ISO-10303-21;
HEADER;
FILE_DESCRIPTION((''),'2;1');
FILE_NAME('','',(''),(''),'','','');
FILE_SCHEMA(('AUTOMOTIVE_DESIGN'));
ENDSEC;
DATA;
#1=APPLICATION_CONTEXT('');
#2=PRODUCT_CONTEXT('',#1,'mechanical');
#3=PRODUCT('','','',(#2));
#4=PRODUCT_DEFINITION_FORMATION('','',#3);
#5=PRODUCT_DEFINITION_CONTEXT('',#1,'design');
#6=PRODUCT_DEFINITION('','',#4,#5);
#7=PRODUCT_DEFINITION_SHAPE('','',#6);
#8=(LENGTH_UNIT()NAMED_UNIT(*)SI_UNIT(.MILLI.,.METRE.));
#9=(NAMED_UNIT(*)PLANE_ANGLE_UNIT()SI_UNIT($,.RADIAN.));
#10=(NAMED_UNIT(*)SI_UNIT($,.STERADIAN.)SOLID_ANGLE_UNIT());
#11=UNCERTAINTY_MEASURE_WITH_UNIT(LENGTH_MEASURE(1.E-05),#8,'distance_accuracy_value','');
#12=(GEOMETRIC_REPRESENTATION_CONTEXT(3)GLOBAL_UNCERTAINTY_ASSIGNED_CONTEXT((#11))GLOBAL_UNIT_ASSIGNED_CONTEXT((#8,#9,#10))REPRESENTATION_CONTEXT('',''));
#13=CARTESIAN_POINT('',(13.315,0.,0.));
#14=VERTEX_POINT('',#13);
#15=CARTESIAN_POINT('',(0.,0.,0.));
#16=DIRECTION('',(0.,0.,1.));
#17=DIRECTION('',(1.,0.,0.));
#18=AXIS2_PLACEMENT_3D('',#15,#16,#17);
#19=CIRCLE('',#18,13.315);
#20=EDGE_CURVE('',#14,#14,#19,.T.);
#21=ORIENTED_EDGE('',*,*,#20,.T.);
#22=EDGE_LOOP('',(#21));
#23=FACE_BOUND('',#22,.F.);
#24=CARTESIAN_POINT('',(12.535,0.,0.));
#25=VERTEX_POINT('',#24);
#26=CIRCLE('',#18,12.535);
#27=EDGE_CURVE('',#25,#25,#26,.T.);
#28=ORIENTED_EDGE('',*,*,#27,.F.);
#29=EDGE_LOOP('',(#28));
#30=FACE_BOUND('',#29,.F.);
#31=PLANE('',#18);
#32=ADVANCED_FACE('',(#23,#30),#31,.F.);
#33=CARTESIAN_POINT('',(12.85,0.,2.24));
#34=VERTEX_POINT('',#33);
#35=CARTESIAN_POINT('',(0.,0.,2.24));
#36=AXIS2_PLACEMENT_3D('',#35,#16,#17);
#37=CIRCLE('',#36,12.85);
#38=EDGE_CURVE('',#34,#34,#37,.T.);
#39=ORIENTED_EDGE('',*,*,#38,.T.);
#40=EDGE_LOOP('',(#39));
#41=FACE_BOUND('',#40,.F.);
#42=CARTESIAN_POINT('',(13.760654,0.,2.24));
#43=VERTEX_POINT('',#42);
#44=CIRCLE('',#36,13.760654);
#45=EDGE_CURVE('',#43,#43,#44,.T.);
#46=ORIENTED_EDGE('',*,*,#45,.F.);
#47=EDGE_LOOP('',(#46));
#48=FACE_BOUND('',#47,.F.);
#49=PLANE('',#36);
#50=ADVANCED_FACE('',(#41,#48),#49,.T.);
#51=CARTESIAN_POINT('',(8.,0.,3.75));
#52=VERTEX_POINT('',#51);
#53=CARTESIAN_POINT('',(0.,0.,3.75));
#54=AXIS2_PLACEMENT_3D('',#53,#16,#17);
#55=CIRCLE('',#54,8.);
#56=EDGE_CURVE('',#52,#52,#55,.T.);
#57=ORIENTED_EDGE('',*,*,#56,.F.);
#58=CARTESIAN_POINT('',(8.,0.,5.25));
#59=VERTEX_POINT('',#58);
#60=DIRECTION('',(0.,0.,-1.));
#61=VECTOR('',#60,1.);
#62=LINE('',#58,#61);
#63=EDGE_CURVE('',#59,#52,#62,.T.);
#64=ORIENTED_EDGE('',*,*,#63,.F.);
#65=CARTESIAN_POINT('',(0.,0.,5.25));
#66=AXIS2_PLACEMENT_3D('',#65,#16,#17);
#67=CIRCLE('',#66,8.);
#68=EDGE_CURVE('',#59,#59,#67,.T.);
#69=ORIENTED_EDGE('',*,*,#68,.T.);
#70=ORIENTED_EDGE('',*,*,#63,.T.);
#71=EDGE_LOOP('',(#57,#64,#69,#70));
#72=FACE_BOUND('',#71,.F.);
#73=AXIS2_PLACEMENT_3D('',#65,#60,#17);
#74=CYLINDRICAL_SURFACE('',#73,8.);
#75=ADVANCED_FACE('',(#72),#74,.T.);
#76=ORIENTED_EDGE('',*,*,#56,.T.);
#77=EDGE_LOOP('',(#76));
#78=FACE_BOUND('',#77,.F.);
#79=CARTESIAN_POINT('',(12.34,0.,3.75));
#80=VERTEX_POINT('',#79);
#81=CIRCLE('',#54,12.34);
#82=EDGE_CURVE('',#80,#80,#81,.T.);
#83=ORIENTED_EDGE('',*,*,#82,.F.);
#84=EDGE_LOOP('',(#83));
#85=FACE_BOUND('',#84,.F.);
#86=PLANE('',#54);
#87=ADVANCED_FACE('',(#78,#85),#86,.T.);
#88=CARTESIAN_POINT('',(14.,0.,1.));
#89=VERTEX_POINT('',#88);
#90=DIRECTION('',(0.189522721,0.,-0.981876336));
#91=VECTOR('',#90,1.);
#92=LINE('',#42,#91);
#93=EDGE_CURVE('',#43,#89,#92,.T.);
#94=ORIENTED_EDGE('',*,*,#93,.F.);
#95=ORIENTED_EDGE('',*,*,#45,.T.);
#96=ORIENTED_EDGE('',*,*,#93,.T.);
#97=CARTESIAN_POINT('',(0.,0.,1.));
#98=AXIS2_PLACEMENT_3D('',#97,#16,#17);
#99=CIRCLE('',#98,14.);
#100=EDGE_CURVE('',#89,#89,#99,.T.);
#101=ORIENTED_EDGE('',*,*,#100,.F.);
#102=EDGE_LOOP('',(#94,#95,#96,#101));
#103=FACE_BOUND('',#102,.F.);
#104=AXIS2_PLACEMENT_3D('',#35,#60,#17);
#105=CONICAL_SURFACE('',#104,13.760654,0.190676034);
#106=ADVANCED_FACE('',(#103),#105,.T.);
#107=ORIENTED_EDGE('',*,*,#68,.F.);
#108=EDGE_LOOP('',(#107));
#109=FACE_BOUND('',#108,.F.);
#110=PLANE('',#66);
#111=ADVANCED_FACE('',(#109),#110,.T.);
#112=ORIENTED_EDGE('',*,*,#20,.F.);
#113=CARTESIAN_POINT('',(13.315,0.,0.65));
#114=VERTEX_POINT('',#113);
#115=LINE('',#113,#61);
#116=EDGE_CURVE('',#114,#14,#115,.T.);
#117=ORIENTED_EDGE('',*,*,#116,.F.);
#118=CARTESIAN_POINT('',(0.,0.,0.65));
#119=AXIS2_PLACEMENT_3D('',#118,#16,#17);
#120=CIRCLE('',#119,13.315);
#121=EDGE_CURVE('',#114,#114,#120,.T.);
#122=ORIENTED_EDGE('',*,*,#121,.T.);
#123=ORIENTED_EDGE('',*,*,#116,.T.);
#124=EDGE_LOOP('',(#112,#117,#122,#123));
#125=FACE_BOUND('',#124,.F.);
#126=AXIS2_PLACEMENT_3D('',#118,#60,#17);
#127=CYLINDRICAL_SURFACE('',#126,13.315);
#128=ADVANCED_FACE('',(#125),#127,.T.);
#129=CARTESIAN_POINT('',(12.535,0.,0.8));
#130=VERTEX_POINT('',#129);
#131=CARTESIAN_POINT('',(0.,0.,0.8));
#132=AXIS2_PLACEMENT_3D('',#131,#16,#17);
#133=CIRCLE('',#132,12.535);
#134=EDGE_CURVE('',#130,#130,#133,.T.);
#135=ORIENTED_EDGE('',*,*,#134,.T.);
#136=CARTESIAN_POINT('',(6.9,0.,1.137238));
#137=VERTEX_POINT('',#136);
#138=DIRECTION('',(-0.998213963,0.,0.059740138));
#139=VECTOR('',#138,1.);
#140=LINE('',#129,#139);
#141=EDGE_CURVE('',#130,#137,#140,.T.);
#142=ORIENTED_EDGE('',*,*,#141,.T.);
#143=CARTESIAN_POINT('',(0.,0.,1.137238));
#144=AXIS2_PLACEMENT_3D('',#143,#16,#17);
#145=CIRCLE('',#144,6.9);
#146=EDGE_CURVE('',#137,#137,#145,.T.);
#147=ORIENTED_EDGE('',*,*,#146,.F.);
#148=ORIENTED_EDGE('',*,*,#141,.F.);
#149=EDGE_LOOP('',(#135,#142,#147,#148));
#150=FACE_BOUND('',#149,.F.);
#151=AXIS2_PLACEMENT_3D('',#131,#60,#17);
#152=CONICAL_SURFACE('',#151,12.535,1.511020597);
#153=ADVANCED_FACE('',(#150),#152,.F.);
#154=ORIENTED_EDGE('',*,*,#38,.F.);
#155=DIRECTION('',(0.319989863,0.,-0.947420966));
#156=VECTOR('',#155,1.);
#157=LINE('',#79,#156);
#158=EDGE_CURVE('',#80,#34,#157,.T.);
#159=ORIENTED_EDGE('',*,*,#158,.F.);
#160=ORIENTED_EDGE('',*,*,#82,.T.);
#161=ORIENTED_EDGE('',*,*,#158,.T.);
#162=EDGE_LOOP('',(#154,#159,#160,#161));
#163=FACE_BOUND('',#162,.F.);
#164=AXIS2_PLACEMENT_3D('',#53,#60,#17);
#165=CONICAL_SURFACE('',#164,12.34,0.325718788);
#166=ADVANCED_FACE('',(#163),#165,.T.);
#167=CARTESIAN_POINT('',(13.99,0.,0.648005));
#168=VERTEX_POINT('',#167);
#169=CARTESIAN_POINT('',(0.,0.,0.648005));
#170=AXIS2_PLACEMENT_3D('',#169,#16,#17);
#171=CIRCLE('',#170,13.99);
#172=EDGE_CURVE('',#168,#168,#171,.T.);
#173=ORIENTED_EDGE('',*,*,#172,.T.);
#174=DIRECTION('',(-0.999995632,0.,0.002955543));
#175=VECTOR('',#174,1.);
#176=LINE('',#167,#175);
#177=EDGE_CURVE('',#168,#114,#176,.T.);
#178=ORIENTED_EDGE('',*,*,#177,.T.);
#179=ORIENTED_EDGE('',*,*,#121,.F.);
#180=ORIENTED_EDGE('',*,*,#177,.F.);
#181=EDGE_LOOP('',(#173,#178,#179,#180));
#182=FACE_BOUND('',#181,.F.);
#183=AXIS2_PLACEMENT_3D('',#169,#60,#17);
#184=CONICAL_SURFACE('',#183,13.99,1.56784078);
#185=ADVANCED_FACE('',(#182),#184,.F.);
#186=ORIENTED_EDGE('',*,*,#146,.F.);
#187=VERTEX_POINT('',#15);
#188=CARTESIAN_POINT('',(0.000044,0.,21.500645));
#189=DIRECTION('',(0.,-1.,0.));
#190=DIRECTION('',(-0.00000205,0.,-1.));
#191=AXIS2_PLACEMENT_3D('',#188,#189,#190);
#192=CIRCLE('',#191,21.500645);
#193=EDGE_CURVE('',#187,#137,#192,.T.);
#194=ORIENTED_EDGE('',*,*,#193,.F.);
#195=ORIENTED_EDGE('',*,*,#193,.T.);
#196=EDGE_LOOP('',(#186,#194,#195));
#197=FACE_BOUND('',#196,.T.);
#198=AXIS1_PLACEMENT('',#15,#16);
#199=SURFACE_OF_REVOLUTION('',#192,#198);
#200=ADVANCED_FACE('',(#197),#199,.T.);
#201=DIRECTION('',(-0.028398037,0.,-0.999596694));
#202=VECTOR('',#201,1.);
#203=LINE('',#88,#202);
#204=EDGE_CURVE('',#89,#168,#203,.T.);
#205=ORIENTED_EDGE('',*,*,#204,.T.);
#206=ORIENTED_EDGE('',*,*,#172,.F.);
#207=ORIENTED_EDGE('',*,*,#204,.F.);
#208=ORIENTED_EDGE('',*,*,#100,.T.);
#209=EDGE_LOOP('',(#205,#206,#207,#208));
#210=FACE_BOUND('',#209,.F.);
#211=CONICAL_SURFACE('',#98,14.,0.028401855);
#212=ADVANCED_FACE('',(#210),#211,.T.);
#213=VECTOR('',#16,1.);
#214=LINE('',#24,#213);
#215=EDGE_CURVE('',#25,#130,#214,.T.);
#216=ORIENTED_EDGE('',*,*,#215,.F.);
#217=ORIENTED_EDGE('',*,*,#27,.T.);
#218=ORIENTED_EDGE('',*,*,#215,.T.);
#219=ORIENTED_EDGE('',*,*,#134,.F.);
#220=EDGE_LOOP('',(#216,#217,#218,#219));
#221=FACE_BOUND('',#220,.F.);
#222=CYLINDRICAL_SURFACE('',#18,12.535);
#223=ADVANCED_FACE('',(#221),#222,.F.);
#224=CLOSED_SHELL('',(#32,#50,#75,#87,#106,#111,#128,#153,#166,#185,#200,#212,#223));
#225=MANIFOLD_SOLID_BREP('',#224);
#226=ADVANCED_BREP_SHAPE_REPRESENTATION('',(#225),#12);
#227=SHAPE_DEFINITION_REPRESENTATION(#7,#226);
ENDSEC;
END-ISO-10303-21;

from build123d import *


with BuildPart() as part:
    # Sketch → Revolution (revolve)
    with BuildSketch(Plane.XZ):
        with BuildLine():
            Line((0, 5.25), (8, 5.25))
            Line((8, 5.25), (8, 3.75))
            Line((8, 3.75), (12.34, 3.75))
            Line((12.34, 3.75), (12.85, 2.24))
            Line((12.85, 2.24), (13.760654, 2.24))
            Line((13.760654, 2.24), (14, 1))
            Line((14, 1), (13.99, 0.648005))
            Line((13.99, 0.648005), (13.315, 0.65))
            Line((13.315, 0.65), (13.315, 0))
            Line((13.315, 0), (12.535, 0))
            Line((12.535, 0), (12.535, 0.8))
            Line((12.535, 0.8), (6.9, 1.137238))
            ThreePointArc((0, 0), (3.496546, 0.286211), (6.9, 1.137238))
            Line((0, 0), (0, 5.25))
        make_face()
    revolve(axis=Axis((0, 0, 0), (0, 0, 1)))


solid = part.part
